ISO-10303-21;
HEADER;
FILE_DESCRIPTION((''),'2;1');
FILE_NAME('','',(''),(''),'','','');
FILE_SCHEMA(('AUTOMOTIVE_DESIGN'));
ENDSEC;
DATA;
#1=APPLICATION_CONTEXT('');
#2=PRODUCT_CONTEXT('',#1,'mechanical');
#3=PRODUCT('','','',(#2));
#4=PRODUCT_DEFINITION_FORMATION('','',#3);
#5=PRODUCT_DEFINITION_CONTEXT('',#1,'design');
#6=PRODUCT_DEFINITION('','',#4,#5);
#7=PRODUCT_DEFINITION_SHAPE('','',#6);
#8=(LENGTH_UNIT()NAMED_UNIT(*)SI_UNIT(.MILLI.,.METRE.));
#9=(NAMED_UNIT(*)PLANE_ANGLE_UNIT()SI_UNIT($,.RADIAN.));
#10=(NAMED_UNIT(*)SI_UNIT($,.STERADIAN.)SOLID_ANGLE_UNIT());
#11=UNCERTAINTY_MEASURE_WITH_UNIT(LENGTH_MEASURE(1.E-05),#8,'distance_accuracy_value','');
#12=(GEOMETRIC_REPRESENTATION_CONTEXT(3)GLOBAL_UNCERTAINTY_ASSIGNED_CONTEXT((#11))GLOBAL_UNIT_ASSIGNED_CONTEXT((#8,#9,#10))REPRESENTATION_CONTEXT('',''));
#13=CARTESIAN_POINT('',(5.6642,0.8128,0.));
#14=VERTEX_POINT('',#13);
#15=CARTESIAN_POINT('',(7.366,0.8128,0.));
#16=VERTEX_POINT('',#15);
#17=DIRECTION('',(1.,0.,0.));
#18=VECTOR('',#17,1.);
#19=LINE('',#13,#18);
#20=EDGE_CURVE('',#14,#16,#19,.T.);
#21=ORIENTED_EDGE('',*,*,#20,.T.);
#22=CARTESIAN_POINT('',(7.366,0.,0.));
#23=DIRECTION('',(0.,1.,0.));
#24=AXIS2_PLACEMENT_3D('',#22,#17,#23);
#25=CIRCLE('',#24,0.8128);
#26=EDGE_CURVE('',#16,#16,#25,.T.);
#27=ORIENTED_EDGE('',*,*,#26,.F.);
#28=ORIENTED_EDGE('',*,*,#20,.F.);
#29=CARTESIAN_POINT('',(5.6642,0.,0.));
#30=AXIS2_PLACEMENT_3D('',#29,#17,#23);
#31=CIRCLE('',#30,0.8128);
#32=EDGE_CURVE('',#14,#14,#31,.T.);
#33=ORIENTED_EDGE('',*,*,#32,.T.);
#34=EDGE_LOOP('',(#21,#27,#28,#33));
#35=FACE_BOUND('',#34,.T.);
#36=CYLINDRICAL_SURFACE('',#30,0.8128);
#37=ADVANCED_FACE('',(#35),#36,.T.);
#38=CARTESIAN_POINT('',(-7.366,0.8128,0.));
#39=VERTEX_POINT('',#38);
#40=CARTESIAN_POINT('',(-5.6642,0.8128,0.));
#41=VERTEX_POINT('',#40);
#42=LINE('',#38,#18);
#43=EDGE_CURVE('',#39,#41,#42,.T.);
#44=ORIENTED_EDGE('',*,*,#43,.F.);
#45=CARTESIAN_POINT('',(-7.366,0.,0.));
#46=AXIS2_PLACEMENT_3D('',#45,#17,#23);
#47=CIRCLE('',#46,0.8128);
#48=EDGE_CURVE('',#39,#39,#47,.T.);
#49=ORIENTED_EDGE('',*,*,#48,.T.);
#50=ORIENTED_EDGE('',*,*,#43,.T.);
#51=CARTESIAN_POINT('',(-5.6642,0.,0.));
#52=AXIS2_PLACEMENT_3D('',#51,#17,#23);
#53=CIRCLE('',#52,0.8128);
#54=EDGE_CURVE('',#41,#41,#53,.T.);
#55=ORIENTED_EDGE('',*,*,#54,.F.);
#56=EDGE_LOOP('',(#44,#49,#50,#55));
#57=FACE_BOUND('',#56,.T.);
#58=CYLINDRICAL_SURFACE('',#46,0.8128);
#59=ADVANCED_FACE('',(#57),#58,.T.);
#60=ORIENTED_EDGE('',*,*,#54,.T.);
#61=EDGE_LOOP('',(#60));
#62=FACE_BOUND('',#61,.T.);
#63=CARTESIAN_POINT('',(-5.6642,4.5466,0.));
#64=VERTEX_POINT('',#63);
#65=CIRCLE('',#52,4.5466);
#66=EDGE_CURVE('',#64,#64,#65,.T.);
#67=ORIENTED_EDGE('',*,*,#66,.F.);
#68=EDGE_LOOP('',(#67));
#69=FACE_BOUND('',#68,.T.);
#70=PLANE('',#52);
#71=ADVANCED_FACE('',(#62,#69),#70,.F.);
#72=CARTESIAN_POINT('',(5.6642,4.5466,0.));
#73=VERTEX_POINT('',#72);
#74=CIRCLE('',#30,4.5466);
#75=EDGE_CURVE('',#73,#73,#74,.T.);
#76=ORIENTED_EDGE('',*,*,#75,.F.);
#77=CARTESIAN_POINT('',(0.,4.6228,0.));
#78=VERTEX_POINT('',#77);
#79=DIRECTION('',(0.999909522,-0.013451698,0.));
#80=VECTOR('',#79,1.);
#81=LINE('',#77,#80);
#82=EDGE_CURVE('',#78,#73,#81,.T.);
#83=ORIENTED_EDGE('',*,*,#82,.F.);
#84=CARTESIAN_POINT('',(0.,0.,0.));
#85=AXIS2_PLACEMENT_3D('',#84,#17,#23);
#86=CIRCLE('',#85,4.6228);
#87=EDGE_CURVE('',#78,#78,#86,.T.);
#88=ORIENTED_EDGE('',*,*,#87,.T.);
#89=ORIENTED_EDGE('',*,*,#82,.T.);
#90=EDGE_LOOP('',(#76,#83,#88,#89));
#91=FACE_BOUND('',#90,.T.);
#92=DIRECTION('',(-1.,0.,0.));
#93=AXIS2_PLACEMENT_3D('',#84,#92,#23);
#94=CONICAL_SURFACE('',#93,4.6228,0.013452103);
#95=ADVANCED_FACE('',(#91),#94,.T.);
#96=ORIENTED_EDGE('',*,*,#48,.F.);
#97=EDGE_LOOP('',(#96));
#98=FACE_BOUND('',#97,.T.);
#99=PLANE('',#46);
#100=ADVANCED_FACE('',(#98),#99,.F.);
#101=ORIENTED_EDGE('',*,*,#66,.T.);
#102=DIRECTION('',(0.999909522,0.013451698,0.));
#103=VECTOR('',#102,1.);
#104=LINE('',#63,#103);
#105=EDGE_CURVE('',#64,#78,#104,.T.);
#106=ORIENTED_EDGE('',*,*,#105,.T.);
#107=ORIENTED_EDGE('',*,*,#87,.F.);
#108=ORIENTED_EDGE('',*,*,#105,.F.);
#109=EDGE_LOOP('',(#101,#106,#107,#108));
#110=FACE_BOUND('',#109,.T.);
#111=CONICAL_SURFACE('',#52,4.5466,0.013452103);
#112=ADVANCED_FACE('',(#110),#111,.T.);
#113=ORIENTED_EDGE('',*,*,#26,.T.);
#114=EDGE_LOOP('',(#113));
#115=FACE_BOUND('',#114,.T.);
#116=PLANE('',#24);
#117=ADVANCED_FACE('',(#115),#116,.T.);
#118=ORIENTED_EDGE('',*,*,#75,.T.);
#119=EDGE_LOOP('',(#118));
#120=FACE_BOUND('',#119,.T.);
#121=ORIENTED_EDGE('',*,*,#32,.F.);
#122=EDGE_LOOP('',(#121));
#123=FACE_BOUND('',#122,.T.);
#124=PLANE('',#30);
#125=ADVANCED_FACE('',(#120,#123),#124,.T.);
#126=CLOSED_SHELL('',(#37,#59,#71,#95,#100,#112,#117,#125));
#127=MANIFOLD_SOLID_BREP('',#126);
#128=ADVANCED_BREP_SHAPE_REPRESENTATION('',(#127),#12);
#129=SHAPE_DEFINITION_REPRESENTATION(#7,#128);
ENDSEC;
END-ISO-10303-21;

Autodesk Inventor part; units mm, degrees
ref_plane "YZ Plane" through (0, 0, 0) normal (1, 0, 0) x (0, 1, 0)
ref_plane "XZ Plane" through (0, 0, 0) normal (0, 1, 0) x (-1, 0, 0)
ref_plane "XY Plane" through (0, 0, 0) normal (0, 0, 1) x (1, 0, 0)
sketch "Sketch1" plane through (0, 0, 0) normal (0, 0, 1) x (1, 0, 0)
  line L0 (-7.366, 0) -> (7.366, 0)
  line L1 (-7.366, 0) -> (-7.366, 0.8128)
  line L2 (-7.366, 0.8128) -> (-5.6642, 0.8128)
  line L3 (-5.6642, 0.8128) -> (-5.6642, 4.5466)
  line L4 (-5.6642, 4.5466) -> (0, 4.6228)
  line L5 (0, 4.6228) -> (5.6642, 4.5466)
  line L6 (5.6642, 4.5466) -> (5.6642, 0.8128)
  line L7 (5.6642, 0.8128) -> (7.366, 0.8128)
  line L8 (7.366, 0.8128) -> (7.366, 0)
  point P0 (0, 0)
  point P1 (0, 0)
  dimension "d0" = 14.732
  dimension "d1" = 0.8128
  dimension "d2" = 4.6228
  dimension "d3" = 4.5466
  dimension "d4" = 11.3284
  dimension "d5" = 1.7018
  dimension "d6" = 1.7018
revolve "Revolution1" add sketch "Sketch1" angle 360 about axis through (-7.366, 0, 0) along (1, 0, 0)
equation "\"d5\" = d6"
properties part number "Flexiwheel Roller" material "PPS Plastic"
